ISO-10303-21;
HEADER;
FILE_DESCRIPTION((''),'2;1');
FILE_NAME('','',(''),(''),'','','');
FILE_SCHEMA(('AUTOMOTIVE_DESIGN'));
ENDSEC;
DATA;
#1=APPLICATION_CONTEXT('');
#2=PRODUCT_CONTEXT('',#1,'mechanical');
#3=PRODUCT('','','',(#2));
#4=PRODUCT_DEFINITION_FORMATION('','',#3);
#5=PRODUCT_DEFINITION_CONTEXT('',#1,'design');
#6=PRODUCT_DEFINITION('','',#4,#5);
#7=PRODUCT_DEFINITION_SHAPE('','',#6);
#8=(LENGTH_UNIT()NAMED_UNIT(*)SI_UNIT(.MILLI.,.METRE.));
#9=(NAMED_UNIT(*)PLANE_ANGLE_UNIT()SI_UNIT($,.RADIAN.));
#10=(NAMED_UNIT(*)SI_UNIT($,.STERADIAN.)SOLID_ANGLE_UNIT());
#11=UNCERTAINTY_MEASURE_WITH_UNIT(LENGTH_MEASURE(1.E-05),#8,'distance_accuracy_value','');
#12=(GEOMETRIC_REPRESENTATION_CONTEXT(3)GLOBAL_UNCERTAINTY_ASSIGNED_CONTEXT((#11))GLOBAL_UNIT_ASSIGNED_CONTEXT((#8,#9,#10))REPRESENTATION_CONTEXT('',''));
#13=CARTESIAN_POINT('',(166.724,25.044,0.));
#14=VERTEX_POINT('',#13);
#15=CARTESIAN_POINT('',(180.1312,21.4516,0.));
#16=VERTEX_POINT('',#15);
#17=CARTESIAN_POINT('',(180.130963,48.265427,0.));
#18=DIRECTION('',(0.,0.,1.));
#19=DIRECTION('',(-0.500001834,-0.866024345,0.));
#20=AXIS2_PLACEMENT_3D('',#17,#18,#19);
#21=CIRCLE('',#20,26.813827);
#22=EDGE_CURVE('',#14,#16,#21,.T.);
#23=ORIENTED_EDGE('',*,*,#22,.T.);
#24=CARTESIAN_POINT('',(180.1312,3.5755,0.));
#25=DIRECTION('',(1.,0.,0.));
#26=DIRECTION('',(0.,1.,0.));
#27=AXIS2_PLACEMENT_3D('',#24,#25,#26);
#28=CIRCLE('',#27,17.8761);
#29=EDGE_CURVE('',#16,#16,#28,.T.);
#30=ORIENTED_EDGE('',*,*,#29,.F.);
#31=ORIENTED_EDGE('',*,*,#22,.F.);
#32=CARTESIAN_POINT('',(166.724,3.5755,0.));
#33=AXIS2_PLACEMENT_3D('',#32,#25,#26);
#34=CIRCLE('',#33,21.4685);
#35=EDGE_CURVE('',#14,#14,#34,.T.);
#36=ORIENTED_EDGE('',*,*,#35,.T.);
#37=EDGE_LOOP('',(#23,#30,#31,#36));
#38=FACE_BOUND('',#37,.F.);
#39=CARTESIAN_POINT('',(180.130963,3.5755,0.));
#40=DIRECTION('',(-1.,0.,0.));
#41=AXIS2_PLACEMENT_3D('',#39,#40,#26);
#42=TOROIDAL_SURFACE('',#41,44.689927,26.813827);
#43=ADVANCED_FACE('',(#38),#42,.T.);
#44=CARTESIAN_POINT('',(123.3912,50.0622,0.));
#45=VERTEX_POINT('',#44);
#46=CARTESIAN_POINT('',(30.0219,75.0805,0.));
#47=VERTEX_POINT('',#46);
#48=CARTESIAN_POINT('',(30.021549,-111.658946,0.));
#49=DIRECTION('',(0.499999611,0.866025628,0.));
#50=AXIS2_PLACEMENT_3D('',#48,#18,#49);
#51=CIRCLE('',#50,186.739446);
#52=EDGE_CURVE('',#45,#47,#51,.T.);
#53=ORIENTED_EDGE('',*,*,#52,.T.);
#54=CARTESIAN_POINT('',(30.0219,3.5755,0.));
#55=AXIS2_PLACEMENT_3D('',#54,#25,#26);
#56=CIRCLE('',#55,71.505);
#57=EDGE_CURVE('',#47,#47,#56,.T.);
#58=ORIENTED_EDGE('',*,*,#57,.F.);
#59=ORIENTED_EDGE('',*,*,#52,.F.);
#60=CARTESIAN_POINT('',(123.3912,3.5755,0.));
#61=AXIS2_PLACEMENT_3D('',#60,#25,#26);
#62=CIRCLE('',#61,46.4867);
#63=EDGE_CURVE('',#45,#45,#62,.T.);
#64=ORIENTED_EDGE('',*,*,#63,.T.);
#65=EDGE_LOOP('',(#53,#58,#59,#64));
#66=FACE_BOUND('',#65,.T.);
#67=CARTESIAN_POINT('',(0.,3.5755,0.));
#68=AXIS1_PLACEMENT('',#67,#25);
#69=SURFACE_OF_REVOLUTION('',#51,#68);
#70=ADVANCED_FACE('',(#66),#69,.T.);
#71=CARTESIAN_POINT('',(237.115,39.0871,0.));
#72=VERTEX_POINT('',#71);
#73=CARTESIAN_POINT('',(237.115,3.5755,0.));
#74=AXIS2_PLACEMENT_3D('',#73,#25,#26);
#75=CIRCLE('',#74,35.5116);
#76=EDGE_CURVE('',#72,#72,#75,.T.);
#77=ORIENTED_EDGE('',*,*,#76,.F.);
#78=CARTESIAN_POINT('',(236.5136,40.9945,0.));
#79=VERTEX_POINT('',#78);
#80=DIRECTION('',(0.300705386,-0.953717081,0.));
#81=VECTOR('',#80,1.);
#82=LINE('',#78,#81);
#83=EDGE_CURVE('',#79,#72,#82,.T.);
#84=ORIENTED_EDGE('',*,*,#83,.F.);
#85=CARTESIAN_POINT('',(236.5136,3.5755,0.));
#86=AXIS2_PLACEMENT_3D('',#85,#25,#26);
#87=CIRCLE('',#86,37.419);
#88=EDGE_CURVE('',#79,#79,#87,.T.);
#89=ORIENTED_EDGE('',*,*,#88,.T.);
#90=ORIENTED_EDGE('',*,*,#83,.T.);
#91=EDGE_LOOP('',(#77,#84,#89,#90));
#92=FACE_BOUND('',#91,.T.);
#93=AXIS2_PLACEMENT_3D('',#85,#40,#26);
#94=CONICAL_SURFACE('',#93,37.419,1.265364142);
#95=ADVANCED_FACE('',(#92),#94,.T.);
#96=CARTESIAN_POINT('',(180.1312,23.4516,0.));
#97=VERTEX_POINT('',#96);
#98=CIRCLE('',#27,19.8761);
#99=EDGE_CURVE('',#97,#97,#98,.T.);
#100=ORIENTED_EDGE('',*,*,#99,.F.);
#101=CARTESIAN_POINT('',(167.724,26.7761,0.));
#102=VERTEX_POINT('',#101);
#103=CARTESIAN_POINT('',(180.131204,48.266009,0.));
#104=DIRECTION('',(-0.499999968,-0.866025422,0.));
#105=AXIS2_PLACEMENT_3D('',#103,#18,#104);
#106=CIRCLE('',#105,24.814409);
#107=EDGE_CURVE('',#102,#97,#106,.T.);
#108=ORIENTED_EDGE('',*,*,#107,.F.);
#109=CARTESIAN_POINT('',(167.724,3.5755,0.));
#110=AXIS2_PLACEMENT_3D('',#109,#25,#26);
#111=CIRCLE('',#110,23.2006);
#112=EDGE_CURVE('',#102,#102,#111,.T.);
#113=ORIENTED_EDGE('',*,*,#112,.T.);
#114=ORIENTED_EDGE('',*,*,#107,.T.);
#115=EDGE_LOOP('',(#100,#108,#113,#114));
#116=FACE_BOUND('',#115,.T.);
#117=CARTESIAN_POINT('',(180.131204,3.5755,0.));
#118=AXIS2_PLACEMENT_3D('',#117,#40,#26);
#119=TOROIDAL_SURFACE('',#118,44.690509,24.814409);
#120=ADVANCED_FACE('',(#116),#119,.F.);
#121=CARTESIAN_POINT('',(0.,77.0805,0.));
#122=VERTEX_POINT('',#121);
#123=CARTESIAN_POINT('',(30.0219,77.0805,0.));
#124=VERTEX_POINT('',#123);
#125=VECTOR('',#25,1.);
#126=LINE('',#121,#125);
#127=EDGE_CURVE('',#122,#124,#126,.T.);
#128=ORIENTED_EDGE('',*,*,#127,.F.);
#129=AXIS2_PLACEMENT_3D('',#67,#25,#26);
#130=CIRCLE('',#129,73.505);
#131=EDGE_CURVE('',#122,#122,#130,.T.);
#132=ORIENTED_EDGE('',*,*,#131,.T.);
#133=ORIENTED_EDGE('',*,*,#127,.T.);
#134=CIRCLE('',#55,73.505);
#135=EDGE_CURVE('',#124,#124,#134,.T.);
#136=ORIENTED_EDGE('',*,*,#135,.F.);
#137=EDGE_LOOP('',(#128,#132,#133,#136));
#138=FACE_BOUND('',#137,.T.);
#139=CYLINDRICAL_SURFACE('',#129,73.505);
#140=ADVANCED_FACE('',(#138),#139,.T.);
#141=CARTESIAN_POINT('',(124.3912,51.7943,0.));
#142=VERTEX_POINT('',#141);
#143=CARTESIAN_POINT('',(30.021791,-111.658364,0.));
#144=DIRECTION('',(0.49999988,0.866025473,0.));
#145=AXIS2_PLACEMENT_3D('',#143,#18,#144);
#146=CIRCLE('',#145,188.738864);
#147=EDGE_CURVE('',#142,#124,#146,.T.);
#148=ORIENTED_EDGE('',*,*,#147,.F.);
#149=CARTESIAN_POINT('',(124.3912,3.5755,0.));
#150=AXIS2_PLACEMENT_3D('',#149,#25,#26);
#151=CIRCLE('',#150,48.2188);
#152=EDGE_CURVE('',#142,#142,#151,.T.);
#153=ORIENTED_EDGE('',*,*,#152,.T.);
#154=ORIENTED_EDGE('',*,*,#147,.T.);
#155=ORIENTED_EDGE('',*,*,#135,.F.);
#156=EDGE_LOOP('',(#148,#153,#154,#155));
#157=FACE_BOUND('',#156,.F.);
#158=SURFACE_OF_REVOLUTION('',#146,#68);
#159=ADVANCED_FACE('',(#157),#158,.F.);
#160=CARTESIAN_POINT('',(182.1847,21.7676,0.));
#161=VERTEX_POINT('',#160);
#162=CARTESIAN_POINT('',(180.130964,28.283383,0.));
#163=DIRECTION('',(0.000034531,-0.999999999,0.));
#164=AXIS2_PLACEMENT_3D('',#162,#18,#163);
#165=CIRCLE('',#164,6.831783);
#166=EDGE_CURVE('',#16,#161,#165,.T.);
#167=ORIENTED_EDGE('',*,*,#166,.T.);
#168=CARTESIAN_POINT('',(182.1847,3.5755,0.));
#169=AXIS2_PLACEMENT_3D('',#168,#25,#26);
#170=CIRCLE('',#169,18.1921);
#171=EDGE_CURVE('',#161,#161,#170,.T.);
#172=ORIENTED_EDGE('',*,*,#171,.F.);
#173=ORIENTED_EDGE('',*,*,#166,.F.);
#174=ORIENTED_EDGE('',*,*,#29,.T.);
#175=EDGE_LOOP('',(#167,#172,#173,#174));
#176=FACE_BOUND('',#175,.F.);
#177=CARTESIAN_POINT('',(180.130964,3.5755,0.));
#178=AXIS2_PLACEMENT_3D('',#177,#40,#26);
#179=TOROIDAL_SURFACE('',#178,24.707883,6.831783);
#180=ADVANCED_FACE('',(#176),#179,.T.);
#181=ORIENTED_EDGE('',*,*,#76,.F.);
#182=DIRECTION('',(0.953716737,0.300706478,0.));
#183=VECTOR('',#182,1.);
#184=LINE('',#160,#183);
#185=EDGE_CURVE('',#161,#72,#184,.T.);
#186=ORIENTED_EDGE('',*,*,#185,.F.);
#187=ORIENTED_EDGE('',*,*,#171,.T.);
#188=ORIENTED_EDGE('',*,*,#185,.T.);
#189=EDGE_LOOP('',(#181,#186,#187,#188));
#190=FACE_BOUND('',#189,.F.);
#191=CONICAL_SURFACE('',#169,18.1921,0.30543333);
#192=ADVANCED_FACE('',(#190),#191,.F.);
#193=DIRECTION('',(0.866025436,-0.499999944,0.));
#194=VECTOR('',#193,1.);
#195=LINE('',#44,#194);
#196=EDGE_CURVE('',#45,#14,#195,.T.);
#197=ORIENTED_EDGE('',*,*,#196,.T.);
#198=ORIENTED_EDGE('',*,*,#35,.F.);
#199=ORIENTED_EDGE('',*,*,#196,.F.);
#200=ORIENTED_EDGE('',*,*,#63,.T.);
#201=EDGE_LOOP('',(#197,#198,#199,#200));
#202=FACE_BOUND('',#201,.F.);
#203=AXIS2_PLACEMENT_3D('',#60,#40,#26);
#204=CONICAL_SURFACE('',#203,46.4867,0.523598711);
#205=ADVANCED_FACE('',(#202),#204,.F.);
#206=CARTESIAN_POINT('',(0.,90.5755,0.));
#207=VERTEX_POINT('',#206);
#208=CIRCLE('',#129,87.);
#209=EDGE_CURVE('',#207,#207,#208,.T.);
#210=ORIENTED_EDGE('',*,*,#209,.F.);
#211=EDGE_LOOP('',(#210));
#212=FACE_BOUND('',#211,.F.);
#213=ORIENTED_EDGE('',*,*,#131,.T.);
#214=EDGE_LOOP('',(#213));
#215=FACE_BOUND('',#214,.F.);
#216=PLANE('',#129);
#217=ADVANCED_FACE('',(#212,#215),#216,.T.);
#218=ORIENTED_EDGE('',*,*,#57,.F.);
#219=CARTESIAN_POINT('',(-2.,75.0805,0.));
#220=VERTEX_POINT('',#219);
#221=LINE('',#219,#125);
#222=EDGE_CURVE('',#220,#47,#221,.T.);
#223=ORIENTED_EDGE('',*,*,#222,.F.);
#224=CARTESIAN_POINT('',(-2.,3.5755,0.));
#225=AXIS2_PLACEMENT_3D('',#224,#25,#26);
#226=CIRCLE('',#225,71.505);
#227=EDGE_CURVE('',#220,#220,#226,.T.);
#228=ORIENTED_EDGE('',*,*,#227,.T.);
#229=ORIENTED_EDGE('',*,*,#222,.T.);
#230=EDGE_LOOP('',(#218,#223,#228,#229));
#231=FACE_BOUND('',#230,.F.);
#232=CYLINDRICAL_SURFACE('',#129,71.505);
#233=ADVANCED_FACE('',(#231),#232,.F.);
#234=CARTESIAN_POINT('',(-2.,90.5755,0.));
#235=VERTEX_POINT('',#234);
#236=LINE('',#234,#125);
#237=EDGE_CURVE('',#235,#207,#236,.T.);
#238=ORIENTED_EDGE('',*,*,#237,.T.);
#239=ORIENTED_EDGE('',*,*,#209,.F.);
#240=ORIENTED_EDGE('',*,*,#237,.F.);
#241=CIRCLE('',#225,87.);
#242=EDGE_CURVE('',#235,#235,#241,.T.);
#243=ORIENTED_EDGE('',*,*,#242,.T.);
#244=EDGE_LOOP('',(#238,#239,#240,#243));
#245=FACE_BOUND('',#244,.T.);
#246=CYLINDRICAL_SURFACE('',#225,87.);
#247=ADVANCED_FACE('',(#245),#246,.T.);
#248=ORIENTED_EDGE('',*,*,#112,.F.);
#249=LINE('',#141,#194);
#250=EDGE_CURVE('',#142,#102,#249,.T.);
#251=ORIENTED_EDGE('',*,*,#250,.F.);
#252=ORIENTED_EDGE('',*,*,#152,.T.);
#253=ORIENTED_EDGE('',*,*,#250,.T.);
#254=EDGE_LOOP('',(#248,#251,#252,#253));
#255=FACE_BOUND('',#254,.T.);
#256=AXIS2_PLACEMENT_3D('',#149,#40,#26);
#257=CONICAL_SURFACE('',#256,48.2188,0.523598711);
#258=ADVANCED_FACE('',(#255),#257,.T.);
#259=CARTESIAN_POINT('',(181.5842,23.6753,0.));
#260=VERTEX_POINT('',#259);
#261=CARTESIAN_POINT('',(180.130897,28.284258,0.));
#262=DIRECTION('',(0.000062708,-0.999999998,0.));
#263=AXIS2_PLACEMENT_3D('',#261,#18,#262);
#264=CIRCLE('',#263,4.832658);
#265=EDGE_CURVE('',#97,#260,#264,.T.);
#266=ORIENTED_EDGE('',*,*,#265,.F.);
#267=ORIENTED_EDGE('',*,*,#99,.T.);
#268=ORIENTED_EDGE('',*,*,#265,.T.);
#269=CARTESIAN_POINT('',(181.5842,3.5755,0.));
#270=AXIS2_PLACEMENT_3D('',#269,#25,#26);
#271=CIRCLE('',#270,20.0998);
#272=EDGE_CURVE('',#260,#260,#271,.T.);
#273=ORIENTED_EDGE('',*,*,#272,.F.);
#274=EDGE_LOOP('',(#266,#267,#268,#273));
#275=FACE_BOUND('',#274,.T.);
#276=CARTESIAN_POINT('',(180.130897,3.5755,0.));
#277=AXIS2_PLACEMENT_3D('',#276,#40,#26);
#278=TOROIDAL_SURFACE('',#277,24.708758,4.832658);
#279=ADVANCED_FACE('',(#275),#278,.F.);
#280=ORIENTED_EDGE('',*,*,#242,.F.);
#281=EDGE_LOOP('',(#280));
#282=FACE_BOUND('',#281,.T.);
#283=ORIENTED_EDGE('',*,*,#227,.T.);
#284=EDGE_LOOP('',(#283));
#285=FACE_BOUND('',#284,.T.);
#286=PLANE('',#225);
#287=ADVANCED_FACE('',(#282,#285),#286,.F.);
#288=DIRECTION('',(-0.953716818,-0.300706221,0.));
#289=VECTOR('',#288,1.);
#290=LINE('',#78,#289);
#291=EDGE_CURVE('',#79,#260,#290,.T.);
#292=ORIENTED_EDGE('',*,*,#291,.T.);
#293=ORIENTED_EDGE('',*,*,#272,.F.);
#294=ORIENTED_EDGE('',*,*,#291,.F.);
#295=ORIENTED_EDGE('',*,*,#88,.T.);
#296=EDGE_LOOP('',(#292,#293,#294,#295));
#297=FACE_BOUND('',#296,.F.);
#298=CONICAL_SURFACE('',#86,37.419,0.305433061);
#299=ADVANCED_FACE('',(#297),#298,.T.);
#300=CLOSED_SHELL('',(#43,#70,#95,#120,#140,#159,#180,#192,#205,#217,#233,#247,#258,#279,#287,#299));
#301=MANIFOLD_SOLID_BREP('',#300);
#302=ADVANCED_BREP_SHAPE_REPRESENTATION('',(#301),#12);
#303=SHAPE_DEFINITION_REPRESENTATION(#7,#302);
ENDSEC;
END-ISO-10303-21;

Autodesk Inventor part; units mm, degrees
ref_plane "YZ Plane" through (0, 0, 0) normal (1, 0, 0) x (0, 1, 0)
ref_plane "XZ Plane" through (0, 0, 0) normal (0, 1, 0) x (-1, 0, 0)
ref_plane "XY Plane" through (0, 0, 0) normal (0, 0, 1) x (1, 0, 0)
sketch "Sketch1" plane through (0, 0, 0) normal (0, 0, 1) x (1, 0, 0)
  line L0 (123.3912, 50.0622) -> (166.724, 25.044)
  arc A0 (123.3912, 50.0622) -> (30.0219, 75.0805) centre (30.0219, -111.6581) ccw
  arc A1 (166.724, 25.044) -> (180.1312, 21.4516) centre (180.1312, 48.266) ccw
  arc A2 (180.1312, 21.4516) -> (182.1847, 21.7676) centre (180.1312, 28.2803) ccw
  line L1 (0, 75.0805) -> (30.0219, 75.0805)
  line L2 (0, 3.5755) -> (0, 203.5755) construction
  line L3 (0, 3.5755) -> (319.1694, 3.5755)
  line L4 (0, 77.0805) -> (30.0219, 77.0805)
  arc A3 (124.3912, 51.7943) -> (30.0219, 77.0805) centre (30.0219, -111.6581) ccw
  line L5 (124.3912, 51.7943) -> (167.724, 26.7761)
  arc A4 (167.724, 26.7761) -> (180.1312, 23.4516) centre (180.1312, 48.266) ccw
  arc A5 (180.1312, 23.4516) -> (181.5842, 23.6753) centre (180.1312, 28.2803) ccw
  line L6 (0, 77.0805) -> (0, 75.0805)
  line L7 (182.1847, 21.7676) -> (237.115, 39.0871)
  line L8 (236.5136, 40.9945) -> (181.5833, 23.6751)
  arc A6 (180.1312, 23.4516) -> (181.5833, 23.6751) centre (180.1312, 28.2803) ccw
  line L9 (236.5136, 40.9945) -> (237.115, 39.0871)
  line L10 (0, 75.0805) -> (-2, 75.0805)
  line L11 (-2, 75.0805) -> (-2, 90.5755)
  line L12 (-2, 90.5755) -> (0, 90.5755)
  line L13 (0, 77.0805) -> (0, 90.5755)
  point P0 (181.5833, 23.6751)
  point P1 (123.3912, 50.0622)
  point P2 (166.724, 25.044)
  point P3 (181.5842, 23.6753)
  point P4 (30.0219, 75.0805)
  dimension "d51" = 200
  dimension "d52" = 30.0219
  dimension "d53" = 186.7386
  dimension "d54" = 0
  dimension "d55" = 0
  dimension "d56" = 0
  dimension "d74" = 71.505
  dimension "d75" = 2
  dimension "d76" = 2
  dimension "d77" = 2
  dimension "d78" = 2
  dimension "d80" = 2
  dimension "d82" = 17.5
  dimension "d83" = 54.9303
  dimension "d84" = 2
  dimension "d87" = 2
  dimension "d88" = 15.495
revolve "Revolution2" add sketch "Sketch1" angle 360 about axis through (0, 3.5755, 0) along (1, 0, 0)
properties part number "inner wall" material "Stainless Steel"
